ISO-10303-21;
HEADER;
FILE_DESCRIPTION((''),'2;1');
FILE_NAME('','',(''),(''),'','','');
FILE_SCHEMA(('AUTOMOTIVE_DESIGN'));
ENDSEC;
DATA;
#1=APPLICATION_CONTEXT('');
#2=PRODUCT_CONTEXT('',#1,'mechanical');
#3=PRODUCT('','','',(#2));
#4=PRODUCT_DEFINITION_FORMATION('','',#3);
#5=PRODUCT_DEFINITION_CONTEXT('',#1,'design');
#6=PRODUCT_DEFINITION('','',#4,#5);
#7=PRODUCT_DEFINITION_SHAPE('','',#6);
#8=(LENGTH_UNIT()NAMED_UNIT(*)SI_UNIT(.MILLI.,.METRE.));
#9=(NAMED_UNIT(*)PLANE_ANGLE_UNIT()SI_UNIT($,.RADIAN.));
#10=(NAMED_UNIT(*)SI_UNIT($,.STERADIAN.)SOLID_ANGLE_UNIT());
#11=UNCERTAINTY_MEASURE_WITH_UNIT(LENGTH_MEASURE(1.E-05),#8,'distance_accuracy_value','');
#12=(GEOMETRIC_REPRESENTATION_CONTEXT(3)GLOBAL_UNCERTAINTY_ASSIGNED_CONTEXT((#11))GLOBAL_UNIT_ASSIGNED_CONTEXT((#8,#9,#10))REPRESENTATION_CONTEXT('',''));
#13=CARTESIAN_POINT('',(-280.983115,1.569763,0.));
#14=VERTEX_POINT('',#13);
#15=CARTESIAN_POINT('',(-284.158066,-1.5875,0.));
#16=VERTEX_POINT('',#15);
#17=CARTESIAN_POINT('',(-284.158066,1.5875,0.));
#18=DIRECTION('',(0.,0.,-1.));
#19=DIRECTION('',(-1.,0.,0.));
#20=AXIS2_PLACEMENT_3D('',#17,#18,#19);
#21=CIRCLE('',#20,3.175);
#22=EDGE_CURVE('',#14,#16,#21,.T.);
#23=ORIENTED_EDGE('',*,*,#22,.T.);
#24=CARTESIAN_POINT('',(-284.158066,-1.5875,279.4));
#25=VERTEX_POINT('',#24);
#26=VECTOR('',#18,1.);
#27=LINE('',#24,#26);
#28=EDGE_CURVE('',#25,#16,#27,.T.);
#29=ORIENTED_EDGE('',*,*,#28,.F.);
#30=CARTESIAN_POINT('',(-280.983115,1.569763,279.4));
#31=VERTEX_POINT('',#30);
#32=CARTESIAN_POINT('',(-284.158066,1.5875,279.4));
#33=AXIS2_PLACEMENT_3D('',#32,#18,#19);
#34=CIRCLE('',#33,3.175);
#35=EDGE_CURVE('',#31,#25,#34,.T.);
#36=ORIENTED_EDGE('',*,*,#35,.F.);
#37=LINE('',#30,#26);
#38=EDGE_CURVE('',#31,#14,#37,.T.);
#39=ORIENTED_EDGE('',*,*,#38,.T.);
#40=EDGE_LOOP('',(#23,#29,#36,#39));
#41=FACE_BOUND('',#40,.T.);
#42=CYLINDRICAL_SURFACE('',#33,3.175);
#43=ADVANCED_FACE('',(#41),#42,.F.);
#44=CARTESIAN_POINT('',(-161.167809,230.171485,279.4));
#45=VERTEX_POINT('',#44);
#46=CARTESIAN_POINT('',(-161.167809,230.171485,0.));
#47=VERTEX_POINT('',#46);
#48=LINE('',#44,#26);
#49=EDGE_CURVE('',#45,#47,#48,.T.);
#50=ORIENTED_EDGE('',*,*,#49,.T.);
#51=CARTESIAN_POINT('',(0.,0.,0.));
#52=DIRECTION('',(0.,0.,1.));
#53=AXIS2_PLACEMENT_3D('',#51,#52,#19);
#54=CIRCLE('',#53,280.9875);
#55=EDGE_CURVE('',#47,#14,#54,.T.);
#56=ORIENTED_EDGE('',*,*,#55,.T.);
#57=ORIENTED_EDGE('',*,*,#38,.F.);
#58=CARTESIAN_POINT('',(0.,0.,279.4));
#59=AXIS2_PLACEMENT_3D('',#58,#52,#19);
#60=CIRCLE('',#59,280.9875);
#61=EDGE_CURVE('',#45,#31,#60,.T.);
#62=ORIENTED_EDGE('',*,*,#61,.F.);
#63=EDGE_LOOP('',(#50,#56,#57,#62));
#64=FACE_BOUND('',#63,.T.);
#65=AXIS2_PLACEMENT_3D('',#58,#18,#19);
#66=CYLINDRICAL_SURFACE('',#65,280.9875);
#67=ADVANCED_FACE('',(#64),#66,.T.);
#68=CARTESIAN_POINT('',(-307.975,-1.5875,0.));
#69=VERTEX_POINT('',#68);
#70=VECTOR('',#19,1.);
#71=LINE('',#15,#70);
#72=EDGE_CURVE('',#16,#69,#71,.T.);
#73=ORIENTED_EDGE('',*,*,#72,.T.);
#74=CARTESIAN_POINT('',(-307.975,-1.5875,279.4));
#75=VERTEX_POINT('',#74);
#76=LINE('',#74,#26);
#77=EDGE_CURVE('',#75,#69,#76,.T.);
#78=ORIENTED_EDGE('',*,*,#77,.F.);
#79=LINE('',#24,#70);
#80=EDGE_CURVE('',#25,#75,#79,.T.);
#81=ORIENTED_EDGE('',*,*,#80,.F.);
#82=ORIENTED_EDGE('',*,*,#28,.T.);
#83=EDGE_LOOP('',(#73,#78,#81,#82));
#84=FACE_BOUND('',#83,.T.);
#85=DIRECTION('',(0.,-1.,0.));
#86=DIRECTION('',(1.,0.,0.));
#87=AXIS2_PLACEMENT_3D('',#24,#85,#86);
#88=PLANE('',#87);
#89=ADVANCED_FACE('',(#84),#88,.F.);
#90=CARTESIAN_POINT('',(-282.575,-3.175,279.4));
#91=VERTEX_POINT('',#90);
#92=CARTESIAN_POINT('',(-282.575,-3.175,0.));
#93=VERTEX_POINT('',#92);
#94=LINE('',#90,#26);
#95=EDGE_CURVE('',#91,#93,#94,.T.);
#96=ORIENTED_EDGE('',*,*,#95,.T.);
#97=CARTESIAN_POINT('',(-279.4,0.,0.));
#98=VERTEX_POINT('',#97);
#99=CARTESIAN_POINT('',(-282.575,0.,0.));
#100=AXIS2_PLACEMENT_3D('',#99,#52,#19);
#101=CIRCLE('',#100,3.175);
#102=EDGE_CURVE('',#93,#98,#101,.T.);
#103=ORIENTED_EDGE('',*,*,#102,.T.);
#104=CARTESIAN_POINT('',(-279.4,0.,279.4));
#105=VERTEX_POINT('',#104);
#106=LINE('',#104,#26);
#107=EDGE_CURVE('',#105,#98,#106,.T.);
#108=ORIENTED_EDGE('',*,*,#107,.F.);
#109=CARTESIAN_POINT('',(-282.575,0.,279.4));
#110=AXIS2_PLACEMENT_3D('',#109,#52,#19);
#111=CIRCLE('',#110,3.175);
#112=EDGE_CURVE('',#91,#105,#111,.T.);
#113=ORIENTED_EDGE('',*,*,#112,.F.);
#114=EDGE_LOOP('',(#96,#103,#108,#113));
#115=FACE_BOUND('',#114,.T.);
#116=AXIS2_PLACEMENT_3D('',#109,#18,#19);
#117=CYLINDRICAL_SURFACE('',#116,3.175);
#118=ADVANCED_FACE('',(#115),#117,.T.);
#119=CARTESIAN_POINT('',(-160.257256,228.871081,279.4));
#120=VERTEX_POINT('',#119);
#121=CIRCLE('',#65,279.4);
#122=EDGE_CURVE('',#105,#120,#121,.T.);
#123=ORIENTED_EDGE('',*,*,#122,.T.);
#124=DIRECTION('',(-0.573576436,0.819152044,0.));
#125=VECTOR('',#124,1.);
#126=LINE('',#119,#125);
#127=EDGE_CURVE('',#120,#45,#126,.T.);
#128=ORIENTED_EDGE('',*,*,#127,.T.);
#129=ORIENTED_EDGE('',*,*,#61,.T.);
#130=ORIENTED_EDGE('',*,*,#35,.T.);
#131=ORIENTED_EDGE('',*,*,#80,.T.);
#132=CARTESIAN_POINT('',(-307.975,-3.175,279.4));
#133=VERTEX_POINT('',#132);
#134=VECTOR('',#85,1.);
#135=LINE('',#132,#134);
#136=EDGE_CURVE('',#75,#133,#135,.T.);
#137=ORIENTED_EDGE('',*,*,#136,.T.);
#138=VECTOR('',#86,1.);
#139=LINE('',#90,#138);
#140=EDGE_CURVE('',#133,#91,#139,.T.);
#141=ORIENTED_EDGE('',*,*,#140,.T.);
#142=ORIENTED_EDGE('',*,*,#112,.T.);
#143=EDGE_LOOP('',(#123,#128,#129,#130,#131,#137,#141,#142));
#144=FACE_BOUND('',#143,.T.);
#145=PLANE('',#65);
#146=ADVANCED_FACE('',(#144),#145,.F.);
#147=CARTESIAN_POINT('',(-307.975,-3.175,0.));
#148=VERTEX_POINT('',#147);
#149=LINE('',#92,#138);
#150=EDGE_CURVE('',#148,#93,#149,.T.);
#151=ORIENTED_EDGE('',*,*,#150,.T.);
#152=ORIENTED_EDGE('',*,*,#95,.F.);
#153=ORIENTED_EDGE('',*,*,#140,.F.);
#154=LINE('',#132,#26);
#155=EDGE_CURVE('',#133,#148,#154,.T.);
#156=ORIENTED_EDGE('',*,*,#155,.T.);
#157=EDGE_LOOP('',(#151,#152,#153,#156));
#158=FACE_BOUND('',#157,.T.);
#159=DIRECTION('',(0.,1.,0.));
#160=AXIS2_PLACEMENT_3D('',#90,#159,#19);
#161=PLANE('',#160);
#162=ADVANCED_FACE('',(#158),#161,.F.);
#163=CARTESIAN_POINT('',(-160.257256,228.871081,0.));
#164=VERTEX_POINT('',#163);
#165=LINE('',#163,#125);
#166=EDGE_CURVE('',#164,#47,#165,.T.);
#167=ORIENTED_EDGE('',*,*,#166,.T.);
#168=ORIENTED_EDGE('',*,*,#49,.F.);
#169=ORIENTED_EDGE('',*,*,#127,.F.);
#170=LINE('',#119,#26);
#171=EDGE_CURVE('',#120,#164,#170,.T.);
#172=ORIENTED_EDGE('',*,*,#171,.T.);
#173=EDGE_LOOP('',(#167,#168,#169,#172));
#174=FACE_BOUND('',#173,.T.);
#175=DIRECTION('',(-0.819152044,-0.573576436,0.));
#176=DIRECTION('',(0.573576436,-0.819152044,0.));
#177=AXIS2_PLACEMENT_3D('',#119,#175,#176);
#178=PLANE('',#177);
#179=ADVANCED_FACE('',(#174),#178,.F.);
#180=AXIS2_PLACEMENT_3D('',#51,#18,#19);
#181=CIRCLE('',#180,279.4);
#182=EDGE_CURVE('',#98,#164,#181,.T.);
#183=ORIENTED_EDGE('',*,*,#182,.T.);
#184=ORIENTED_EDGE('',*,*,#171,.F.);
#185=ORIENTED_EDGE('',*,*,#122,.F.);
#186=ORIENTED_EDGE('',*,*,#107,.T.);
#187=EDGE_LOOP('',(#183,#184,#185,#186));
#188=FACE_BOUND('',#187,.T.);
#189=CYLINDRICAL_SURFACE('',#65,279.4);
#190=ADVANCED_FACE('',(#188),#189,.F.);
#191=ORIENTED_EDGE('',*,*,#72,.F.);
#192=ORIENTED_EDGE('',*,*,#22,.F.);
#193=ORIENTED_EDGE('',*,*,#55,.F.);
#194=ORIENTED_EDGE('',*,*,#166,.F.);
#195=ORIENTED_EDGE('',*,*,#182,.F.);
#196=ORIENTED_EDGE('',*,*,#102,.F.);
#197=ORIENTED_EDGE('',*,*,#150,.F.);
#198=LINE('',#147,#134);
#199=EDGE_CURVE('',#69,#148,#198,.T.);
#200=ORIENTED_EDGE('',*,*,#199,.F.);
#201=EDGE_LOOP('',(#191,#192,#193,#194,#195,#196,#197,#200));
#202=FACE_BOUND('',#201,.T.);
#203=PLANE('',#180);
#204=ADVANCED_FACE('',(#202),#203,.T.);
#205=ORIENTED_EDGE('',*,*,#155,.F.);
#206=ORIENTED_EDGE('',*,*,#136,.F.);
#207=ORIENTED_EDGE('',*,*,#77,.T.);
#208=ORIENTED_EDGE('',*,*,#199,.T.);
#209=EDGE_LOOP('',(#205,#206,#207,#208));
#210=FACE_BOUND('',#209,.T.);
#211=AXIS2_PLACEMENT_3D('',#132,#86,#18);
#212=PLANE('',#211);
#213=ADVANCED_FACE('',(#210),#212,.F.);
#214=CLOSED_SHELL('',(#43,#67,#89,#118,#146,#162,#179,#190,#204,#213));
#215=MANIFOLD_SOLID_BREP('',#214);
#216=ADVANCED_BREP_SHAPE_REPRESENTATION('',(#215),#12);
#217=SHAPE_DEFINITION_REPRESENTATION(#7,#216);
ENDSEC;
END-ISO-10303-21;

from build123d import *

# Parameters (mm, degrees)
BOSS_EXTRUDE1_DEPTH = 279.4


with BuildPart() as part:
    # Sketch1 → Boss-Extrude1 (new body)
    with BuildSketch(Plane.XY):
        with BuildLine():
            Line((-284.158065608, -1.5875), (-307.975, -1.5875))
            Line((-307.975, -1.5875), (-307.975, -3.175))
            Line((-307.975, -3.175), (-282.575, -3.175))
            ThreePointArc((-282.575, -3.175), (-280.32993597, -2.24506403), (-279.4, 0))
            ThreePointArc((-279.4, 0), (-247.83082679, 129.012562538), (-160.257256316, 228.871081174))
            Line((-160.257256316, 228.871081174), (-161.167808909, 230.171485045))
            ThreePointArc((-161.167808909, 230.171485045), (-248.875564876, 130.441283205), (-280.983115154, 1.56976257))
            ThreePointArc((-280.983115154, 1.56976257), (-281.919281489, -0.663826425), (-284.158065608, -1.5875))
        make_face()
    extrude(amount=BOSS_EXTRUDE1_DEPTH)


solid = part.part
